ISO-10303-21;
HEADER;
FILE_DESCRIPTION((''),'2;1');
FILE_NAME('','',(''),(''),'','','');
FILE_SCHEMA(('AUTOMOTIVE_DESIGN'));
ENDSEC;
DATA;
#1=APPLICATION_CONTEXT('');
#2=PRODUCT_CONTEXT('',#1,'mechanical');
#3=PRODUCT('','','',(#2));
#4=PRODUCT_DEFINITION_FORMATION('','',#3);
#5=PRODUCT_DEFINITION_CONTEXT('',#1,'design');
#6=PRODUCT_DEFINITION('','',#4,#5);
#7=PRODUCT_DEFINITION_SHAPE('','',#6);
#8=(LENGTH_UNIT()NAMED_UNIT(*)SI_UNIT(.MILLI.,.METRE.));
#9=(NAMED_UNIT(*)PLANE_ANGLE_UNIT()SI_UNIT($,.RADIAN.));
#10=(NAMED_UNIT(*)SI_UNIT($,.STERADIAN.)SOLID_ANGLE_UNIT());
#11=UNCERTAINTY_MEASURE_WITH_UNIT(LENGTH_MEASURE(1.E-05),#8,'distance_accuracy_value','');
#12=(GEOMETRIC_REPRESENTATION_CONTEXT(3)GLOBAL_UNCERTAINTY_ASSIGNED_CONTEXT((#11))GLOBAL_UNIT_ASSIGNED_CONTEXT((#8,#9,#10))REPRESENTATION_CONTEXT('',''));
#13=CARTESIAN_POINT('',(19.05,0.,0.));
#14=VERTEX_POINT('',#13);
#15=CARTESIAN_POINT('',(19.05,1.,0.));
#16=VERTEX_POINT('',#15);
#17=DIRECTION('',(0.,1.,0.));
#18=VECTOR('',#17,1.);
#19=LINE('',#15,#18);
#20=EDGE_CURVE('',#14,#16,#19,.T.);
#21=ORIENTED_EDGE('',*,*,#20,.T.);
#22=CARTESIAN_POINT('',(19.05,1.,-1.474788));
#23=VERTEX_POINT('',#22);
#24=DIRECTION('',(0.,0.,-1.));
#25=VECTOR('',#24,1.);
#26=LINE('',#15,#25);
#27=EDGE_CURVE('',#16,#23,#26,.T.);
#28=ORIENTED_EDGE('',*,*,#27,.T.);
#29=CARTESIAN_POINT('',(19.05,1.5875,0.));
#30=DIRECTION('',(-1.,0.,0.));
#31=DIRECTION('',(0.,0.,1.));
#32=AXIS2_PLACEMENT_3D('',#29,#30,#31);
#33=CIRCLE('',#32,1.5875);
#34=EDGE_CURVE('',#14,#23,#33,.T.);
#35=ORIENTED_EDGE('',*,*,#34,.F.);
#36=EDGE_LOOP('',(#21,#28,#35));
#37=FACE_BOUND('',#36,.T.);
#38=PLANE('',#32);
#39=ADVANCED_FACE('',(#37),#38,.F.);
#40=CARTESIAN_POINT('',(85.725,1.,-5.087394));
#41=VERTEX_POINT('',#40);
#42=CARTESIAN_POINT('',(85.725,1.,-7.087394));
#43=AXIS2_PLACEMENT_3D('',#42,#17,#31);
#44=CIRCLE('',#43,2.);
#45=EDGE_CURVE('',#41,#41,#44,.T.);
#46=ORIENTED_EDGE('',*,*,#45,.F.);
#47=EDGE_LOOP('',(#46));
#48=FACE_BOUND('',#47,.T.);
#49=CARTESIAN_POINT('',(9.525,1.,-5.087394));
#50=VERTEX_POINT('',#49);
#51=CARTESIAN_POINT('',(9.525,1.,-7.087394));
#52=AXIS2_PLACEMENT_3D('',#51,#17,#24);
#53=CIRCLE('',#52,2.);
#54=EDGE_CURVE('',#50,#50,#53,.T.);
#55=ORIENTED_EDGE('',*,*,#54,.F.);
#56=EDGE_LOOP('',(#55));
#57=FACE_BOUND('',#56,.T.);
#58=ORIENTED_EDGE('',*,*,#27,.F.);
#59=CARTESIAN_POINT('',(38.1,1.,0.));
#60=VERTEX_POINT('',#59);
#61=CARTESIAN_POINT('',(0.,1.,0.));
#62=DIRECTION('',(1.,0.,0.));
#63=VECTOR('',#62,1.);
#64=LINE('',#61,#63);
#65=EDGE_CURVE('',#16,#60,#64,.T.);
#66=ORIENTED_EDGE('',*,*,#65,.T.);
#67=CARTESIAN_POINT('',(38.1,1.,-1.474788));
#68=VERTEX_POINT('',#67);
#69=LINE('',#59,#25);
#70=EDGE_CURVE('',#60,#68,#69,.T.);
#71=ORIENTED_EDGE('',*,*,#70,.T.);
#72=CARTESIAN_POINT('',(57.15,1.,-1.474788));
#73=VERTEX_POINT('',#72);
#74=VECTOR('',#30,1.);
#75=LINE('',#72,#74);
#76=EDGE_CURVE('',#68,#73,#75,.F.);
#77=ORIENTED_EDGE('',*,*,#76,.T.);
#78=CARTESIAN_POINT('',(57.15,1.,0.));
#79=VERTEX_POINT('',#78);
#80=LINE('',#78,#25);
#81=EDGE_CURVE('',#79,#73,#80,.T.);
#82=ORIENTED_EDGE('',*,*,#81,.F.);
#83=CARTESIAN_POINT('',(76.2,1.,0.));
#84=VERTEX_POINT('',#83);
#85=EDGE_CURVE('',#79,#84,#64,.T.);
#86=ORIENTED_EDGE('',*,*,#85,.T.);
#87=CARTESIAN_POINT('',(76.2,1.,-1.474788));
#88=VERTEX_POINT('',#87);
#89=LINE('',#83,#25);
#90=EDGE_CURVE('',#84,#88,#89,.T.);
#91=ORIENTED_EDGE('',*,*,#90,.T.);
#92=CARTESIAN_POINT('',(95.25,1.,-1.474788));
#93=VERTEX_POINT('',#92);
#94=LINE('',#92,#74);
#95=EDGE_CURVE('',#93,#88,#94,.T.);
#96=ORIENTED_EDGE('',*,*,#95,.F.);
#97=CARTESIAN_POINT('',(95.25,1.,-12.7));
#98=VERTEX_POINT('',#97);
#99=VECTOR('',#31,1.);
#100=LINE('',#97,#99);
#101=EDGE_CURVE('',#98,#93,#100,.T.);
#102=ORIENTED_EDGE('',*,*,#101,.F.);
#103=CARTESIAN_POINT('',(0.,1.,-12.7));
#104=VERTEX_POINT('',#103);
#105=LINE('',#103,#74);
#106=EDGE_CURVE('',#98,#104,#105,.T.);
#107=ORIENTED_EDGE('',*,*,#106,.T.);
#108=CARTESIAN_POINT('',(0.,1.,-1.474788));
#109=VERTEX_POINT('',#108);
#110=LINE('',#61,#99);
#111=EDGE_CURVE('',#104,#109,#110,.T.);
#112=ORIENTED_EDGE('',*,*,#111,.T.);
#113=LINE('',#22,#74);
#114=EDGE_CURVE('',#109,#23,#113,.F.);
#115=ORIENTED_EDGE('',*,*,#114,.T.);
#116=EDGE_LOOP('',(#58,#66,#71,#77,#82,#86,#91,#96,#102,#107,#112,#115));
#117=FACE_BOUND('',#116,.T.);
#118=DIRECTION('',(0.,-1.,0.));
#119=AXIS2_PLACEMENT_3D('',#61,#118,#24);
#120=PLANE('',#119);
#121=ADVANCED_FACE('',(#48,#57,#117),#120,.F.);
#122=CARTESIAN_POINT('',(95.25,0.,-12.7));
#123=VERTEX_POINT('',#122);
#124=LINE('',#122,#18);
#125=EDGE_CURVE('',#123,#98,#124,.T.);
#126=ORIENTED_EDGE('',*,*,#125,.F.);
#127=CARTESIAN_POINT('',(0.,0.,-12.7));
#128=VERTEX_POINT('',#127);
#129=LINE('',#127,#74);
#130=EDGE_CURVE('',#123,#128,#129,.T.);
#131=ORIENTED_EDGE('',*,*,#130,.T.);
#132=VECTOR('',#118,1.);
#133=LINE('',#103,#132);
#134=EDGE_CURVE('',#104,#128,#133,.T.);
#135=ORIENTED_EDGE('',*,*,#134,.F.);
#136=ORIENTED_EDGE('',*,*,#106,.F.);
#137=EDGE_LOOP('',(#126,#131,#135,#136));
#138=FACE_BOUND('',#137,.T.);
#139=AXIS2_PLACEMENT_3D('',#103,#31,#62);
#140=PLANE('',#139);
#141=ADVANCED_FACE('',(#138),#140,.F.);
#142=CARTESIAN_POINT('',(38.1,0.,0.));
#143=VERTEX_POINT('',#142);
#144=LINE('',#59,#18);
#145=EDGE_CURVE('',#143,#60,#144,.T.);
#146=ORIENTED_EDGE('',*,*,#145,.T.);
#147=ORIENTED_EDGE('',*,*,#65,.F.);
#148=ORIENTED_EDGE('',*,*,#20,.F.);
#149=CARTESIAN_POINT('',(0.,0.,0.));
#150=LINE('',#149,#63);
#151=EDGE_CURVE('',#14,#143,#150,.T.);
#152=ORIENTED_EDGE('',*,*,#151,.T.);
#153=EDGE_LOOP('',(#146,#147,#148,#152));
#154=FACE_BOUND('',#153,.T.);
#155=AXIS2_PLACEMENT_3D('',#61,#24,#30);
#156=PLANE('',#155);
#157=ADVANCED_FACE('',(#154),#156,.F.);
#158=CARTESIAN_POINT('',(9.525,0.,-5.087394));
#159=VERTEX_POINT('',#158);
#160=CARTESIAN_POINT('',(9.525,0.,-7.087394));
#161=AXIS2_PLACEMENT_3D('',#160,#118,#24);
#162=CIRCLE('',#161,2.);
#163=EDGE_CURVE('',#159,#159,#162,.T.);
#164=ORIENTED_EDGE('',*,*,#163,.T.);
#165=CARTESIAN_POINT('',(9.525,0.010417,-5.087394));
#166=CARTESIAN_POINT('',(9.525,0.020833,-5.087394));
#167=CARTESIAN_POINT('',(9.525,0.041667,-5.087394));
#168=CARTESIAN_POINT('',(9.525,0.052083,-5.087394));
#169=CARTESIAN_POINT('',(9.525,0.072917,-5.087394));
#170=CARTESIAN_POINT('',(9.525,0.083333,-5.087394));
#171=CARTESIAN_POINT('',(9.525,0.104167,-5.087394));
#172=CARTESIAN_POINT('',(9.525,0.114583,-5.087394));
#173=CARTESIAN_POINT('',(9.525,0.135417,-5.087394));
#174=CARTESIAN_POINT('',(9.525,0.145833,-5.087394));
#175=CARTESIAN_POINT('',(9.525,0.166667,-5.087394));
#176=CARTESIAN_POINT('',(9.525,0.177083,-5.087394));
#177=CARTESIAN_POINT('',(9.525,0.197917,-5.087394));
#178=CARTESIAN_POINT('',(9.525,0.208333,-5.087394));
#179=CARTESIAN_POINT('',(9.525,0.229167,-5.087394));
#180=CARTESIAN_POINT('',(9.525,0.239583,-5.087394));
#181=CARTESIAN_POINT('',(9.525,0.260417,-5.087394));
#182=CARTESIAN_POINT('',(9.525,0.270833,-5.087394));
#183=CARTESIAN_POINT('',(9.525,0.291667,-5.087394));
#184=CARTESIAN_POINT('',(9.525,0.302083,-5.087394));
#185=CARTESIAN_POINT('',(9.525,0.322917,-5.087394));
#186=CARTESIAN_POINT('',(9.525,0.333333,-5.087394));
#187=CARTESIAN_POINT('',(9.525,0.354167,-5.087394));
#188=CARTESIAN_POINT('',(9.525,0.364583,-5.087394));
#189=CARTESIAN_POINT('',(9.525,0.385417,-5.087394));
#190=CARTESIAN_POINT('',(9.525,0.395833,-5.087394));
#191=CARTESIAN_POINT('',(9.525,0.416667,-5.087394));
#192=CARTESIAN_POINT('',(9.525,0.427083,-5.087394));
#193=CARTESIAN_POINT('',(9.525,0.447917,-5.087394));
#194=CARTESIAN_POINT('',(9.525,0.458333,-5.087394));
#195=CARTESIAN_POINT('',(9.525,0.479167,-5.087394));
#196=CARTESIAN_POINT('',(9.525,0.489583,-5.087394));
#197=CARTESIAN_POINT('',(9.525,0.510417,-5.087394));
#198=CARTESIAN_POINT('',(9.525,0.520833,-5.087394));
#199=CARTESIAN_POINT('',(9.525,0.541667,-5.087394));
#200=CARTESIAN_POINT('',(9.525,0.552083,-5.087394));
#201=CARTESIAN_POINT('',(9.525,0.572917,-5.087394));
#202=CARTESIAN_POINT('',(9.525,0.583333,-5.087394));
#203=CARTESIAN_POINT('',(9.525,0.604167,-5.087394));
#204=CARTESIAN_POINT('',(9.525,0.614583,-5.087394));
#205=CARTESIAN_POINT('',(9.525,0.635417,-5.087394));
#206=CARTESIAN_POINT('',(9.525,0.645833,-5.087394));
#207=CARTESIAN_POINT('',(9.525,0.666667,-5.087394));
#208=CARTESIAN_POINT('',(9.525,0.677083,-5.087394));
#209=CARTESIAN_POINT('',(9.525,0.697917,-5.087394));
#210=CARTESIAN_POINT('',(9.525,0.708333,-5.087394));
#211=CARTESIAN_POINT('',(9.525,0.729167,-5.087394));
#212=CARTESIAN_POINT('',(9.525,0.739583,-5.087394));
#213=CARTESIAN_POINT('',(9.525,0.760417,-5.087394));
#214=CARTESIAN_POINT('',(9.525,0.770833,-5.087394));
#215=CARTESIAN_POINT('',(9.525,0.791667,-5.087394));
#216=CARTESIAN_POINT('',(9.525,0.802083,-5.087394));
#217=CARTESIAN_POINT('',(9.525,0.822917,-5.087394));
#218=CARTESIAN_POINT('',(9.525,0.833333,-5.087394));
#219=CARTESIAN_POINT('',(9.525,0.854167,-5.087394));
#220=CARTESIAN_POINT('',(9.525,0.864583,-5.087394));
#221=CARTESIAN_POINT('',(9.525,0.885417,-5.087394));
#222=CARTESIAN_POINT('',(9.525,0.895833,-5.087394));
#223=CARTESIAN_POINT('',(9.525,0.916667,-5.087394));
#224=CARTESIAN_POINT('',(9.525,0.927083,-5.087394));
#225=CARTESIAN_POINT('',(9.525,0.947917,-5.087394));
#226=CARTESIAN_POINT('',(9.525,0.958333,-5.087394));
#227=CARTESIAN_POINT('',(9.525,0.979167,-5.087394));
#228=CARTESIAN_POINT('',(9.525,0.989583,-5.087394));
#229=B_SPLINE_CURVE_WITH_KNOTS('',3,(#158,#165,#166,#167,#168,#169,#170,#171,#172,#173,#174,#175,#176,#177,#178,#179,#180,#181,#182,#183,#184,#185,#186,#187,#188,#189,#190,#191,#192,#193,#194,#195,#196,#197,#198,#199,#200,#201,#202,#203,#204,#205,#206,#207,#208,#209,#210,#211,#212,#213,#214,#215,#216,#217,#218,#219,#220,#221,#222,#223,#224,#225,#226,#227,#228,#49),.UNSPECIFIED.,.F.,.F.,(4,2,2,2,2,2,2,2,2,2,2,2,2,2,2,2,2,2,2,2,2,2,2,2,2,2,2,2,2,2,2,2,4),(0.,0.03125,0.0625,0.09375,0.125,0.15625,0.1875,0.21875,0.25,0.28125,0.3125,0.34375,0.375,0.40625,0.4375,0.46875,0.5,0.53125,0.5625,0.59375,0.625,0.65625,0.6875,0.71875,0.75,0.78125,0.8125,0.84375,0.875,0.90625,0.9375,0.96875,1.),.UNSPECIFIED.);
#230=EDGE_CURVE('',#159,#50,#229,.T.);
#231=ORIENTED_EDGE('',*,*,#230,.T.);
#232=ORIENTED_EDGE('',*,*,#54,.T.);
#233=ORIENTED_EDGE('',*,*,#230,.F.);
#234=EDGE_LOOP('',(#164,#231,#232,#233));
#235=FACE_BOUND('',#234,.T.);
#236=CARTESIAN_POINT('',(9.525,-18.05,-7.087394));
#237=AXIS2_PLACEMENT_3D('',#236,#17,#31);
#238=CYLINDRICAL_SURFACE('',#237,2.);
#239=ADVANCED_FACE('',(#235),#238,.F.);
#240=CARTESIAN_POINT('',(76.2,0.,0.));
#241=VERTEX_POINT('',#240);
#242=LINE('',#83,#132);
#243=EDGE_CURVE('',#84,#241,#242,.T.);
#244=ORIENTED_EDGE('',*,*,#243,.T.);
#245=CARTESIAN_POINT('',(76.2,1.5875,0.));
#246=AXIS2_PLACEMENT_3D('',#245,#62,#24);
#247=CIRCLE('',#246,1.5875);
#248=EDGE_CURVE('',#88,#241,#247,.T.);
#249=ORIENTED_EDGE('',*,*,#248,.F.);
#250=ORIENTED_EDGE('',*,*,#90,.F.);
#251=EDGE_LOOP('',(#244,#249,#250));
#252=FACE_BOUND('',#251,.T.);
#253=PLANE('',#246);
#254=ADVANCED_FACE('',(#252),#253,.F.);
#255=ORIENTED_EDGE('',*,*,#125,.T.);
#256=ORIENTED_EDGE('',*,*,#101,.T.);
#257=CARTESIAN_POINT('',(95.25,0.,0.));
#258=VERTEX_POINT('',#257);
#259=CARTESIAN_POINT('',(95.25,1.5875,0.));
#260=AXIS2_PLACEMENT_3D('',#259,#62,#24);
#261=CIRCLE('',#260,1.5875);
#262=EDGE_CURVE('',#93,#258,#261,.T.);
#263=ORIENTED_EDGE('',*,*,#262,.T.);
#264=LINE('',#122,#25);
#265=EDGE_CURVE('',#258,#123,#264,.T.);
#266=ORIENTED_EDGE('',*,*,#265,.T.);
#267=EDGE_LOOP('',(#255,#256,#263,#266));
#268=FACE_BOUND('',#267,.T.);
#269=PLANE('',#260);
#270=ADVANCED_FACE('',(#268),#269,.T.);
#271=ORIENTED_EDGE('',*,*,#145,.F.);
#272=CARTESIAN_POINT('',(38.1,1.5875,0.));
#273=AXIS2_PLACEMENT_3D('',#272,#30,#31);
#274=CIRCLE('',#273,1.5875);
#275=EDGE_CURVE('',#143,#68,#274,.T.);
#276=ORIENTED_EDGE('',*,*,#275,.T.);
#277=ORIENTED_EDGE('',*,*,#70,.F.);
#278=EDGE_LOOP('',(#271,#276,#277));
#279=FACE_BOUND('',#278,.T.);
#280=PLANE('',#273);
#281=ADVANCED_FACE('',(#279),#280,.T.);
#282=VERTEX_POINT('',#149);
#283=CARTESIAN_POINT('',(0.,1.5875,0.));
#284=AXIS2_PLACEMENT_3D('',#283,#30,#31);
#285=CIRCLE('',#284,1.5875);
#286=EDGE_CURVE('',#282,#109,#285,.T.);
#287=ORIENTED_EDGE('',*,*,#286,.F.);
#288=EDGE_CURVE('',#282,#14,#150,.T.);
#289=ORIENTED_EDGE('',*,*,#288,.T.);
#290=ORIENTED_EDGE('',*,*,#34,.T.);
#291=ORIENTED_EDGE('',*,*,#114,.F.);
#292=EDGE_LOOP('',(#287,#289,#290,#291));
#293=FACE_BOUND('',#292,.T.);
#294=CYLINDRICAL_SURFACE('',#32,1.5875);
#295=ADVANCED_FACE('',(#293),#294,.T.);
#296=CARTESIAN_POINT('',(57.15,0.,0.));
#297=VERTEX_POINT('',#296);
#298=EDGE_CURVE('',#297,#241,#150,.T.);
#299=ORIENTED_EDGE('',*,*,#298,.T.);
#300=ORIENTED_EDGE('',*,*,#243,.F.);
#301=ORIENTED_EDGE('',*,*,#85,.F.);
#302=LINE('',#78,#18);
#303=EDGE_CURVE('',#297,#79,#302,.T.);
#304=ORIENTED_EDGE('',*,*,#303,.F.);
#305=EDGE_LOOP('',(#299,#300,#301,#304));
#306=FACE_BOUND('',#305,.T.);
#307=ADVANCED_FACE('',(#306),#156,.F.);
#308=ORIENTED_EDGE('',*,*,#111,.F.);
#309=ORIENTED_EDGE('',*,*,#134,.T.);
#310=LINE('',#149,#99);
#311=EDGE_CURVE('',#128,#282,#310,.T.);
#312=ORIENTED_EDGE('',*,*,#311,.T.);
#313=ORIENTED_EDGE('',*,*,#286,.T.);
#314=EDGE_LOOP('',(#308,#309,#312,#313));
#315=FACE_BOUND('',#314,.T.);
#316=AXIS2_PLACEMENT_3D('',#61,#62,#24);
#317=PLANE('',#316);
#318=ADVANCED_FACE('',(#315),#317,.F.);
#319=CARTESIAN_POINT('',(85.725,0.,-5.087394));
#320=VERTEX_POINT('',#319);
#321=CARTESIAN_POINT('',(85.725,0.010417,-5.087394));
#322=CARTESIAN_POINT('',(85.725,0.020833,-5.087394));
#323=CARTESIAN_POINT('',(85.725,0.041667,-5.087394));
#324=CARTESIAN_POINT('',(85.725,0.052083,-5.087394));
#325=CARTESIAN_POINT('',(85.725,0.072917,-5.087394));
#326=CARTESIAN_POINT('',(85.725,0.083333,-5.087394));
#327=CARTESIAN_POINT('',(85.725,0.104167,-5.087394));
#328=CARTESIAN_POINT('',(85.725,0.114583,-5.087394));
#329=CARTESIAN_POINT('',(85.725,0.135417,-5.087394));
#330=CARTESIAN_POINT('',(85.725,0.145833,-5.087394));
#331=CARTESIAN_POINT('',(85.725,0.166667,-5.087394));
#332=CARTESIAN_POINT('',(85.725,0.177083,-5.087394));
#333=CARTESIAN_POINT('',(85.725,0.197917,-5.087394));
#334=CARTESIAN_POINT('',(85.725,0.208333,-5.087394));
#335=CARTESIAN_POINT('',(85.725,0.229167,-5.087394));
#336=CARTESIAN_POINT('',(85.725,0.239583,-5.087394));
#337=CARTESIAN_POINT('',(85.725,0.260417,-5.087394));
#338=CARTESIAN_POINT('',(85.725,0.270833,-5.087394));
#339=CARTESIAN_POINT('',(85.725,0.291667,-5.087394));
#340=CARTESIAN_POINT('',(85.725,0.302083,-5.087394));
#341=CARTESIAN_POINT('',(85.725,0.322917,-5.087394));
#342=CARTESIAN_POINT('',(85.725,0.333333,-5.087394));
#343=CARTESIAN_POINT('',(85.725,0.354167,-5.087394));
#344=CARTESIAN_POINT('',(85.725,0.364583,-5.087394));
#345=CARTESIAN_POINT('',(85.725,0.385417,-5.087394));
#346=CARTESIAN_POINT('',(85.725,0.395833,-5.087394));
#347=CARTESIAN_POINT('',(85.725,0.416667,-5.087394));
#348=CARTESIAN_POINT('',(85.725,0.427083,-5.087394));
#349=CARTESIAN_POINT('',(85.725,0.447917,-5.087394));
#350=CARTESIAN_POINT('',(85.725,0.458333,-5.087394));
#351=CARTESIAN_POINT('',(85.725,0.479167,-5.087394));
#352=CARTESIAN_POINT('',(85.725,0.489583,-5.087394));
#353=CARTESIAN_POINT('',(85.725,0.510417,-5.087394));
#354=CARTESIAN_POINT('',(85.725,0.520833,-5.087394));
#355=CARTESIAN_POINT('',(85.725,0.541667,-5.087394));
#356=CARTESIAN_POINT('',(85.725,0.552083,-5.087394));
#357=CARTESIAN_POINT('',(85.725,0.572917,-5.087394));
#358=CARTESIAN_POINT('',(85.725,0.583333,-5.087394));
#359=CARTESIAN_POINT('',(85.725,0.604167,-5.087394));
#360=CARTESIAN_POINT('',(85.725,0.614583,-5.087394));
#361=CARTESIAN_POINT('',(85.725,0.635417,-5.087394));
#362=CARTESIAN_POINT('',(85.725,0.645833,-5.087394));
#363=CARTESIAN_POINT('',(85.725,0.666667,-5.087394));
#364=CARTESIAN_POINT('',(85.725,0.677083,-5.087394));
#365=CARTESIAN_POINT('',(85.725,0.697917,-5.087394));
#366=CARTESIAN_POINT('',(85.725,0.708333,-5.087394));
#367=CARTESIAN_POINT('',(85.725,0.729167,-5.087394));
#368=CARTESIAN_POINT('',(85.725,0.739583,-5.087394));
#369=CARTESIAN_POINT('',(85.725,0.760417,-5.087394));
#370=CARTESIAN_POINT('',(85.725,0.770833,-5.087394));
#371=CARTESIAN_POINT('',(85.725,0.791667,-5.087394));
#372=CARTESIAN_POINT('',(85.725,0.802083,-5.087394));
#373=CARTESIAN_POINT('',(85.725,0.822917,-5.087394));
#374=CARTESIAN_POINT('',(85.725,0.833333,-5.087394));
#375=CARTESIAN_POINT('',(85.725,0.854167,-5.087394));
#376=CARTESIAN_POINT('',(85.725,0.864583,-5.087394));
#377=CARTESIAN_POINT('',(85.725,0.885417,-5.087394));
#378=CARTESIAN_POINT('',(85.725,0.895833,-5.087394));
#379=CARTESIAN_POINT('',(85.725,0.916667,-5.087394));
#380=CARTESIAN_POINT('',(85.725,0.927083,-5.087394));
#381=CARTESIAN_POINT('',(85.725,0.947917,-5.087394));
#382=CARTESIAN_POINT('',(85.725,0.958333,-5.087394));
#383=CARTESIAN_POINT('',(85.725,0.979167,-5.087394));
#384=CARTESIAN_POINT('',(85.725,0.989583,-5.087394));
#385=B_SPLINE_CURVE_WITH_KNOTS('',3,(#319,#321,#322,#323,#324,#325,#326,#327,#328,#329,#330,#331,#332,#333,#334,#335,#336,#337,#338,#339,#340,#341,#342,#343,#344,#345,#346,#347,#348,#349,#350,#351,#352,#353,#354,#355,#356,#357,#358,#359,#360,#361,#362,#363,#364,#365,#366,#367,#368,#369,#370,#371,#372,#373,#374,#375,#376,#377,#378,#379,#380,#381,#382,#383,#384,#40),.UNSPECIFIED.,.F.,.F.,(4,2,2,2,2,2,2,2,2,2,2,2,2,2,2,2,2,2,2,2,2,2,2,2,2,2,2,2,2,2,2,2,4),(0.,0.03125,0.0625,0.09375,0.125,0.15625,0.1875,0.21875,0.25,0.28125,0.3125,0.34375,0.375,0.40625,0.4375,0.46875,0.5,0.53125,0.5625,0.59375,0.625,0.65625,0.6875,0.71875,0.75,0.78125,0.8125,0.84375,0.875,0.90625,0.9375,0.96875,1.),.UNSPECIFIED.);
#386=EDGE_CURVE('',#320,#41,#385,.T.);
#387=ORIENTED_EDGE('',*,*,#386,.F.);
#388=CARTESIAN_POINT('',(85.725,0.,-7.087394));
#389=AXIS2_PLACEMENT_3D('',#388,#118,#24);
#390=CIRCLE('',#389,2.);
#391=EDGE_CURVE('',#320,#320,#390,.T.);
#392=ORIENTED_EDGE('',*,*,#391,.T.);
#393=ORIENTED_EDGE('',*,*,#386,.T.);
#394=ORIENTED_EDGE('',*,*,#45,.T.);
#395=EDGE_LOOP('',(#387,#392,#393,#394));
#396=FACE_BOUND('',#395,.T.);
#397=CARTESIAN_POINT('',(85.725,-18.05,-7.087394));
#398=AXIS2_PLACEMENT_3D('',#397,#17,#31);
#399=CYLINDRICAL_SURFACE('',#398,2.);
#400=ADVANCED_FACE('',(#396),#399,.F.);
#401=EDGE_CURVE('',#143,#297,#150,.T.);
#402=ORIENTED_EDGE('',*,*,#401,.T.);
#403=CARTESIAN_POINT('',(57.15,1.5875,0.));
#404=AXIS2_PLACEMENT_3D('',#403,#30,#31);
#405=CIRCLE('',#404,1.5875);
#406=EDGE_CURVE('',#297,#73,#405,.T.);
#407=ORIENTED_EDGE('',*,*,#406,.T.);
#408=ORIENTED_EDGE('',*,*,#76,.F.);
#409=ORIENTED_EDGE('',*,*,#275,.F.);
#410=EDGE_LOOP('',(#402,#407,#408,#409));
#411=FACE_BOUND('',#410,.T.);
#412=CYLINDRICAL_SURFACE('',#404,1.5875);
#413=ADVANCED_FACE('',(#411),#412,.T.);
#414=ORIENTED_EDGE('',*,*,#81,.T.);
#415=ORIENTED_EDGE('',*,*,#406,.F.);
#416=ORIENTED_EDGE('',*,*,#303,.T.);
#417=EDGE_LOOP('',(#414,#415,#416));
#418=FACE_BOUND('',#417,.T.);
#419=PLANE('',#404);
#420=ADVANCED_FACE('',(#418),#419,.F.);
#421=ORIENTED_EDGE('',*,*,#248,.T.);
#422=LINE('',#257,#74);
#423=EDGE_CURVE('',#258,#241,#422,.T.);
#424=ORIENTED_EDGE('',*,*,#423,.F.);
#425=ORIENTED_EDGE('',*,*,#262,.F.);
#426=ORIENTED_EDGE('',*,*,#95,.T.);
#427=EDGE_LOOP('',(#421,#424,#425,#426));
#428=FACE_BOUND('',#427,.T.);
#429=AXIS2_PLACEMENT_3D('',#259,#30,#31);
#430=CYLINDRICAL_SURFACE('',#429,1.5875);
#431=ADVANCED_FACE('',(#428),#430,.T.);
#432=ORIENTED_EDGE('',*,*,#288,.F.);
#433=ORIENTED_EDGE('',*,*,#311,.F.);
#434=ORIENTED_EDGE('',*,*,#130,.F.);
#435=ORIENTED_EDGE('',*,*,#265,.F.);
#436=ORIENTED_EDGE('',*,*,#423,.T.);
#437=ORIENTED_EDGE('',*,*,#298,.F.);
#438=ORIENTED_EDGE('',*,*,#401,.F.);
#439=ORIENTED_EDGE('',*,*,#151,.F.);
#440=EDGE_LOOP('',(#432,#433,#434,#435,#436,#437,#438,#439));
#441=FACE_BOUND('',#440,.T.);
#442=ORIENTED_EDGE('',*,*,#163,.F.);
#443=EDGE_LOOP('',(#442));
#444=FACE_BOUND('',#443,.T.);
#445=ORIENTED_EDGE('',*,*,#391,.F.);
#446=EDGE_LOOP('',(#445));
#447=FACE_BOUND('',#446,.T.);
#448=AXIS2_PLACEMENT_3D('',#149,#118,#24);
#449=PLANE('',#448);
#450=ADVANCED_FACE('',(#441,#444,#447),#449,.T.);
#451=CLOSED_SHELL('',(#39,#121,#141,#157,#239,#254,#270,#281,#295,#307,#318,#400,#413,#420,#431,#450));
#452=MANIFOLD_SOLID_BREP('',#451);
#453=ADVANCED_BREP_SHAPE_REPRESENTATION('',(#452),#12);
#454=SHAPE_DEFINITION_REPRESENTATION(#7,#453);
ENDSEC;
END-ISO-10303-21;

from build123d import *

# Parameters (mm, degrees)
SKETCH1_W               = 38.1
SKETCH1_H               = 12.7
BOSS_EXTRUDE1_DEPTH     = 1
SKETCH2_R               = 1.5875
BOSS_EXTRUDE2_DEPTH     = 19.05
MATRIZL1_COUNT          = 2
MATRIZL1_PITCH          = 38.1
SALIENTE_EXTRUIR1_DEPTH = 19.05
CROQUIS2_R              = 2
CORTAR_EXTRUIR1_DEPTH   = 19.05


with BuildPart() as part:
    # Sketch1 → Boss-Extrude1 (new body)
    with BuildSketch(Plane(origin=(0, 0, 0), x_dir=(1, 0, 0), z_dir=(0, 1, 0))):
        with Locations((19.05, 6.35)):
            Rectangle(SKETCH1_W, SKETCH1_H)
    boss_extrude1 = extrude(amount=BOSS_EXTRUDE1_DEPTH)

    # Sketch2 → Boss-Extrude2 (add)
    with BuildSketch(Plane.ZY):
        with Locations((0, 1.5875)):
            Circle(SKETCH2_R)
    boss_extrude2 = extrude(amount=-BOSS_EXTRUDE2_DEPTH)

    # MatrizL1: Boss-Extrude1, Boss-Extrude2 ×2
    with Locations(*[(i * MATRIZL1_PITCH, 0, 0) for i in range(1, MATRIZL1_COUNT)]):
        add(boss_extrude1)
        add(boss_extrude2)

    # Croquis1 → Saliente-Extruir1 (add)
    with BuildSketch(Plane(origin=(76.2, 0, 0), x_dir=(0, 0, -1), z_dir=(1, 0, 0))):
        with BuildLine():
            Line((12.7, 0), (0, 0))
            ThreePointArc((0, 0), (-0.890926484, 2.901427795), (1.47478812, 1))
            Line((1.47478812, 1), (12.7, 1))
            Line((12.7, 1), (12.7, 0))
        make_face()
    extrude(amount=SALIENTE_EXTRUIR1_DEPTH)

    # Croquis2 → Cortar-Extruir1 (cut)
    with BuildSketch(Plane(origin=(0, 1, 0), x_dir=(1, 0, 0), z_dir=(0, 1, 0))):
        with Locations(Location((85.725, 7.08739406, 0), (0, 0, 270))):
            Circle(CROQUIS2_R)
        with Locations(Location((9.525, 7.08739406, 0), (0, 0, 270))):
            Circle(CROQUIS2_R)
    extrude(amount=-CORTAR_EXTRUIR1_DEPTH, mode=Mode.SUBTRACT)


solid = part.part
